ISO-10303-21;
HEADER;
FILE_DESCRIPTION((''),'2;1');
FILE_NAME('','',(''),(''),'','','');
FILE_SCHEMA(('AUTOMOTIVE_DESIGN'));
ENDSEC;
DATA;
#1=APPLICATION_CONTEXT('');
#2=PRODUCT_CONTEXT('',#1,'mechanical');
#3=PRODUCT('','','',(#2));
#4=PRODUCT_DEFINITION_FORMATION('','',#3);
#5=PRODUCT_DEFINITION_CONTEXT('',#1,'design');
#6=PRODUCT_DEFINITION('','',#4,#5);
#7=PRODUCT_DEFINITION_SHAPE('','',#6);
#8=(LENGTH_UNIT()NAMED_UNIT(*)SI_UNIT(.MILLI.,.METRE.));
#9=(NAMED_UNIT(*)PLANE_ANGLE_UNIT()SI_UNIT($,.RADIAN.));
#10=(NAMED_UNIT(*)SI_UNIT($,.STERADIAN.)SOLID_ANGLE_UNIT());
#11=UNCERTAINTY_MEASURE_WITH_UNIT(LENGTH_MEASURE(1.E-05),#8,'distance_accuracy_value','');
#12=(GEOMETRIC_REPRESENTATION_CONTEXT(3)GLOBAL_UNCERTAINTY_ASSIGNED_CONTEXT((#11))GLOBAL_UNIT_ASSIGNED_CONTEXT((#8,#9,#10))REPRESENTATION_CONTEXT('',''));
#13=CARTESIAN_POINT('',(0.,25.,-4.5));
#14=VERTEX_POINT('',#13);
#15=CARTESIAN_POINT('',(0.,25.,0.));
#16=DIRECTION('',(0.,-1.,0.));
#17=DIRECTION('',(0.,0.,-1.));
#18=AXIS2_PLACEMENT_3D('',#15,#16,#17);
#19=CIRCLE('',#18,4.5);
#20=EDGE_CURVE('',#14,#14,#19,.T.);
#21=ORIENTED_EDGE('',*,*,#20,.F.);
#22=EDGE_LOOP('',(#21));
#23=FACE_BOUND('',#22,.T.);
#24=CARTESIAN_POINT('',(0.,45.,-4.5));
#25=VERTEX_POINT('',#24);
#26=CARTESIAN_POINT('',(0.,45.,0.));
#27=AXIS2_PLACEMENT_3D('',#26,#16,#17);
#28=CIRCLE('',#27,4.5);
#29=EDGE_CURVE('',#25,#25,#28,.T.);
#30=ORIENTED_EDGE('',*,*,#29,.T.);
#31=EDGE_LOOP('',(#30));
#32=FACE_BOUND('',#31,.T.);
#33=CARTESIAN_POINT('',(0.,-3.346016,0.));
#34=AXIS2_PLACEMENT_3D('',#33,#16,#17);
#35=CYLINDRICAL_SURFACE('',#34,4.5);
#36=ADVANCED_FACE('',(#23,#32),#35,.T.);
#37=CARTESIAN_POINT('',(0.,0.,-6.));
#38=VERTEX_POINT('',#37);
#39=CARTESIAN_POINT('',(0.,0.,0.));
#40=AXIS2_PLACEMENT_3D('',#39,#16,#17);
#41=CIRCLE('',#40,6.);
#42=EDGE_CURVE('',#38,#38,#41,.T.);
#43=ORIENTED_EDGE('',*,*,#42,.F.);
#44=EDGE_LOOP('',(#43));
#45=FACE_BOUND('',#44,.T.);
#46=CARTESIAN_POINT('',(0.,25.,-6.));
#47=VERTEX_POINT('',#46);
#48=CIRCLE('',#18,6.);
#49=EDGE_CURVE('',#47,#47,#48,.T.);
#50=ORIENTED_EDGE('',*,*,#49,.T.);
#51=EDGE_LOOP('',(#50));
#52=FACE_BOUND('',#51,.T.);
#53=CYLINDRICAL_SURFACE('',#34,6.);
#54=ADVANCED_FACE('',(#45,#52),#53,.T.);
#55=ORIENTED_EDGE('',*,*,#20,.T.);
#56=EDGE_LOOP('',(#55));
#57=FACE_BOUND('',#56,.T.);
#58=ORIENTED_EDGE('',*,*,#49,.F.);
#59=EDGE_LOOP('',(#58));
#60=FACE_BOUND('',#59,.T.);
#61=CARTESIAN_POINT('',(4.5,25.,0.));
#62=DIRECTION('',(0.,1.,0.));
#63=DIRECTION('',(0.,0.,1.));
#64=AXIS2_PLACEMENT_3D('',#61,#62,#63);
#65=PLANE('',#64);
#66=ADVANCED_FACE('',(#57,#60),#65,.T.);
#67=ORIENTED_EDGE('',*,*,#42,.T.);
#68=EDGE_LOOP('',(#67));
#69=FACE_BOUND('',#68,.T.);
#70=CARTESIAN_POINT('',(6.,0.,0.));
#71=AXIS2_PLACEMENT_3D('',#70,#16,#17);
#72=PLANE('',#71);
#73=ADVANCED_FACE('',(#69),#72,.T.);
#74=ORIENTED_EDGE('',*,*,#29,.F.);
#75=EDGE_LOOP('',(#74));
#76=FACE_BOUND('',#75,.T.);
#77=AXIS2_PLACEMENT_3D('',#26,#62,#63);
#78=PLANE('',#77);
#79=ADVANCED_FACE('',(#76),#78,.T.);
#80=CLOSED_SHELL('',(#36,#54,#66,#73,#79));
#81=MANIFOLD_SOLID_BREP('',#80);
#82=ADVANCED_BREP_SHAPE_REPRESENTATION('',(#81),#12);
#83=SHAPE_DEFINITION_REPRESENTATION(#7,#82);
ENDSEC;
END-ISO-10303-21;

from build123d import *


with BuildPart() as part:
    # Skizze1 → Rotation3 (revolve)
    with BuildSketch(Plane.XY, mode=Mode.PRIVATE) as rotation3_sk:
        Polygon((0, 45), (0, 0), (6, 0), (6, 25), (4.5, 25), (4.5, 45), align=None)
    revolve(rotation3_sk.sketch.rotate(Axis((0, -3.346016205, 0), (0, 1, 0)), 90), axis=Axis((0, -3.346016205, 0), (0, 1, 0)))


solid = part.part
